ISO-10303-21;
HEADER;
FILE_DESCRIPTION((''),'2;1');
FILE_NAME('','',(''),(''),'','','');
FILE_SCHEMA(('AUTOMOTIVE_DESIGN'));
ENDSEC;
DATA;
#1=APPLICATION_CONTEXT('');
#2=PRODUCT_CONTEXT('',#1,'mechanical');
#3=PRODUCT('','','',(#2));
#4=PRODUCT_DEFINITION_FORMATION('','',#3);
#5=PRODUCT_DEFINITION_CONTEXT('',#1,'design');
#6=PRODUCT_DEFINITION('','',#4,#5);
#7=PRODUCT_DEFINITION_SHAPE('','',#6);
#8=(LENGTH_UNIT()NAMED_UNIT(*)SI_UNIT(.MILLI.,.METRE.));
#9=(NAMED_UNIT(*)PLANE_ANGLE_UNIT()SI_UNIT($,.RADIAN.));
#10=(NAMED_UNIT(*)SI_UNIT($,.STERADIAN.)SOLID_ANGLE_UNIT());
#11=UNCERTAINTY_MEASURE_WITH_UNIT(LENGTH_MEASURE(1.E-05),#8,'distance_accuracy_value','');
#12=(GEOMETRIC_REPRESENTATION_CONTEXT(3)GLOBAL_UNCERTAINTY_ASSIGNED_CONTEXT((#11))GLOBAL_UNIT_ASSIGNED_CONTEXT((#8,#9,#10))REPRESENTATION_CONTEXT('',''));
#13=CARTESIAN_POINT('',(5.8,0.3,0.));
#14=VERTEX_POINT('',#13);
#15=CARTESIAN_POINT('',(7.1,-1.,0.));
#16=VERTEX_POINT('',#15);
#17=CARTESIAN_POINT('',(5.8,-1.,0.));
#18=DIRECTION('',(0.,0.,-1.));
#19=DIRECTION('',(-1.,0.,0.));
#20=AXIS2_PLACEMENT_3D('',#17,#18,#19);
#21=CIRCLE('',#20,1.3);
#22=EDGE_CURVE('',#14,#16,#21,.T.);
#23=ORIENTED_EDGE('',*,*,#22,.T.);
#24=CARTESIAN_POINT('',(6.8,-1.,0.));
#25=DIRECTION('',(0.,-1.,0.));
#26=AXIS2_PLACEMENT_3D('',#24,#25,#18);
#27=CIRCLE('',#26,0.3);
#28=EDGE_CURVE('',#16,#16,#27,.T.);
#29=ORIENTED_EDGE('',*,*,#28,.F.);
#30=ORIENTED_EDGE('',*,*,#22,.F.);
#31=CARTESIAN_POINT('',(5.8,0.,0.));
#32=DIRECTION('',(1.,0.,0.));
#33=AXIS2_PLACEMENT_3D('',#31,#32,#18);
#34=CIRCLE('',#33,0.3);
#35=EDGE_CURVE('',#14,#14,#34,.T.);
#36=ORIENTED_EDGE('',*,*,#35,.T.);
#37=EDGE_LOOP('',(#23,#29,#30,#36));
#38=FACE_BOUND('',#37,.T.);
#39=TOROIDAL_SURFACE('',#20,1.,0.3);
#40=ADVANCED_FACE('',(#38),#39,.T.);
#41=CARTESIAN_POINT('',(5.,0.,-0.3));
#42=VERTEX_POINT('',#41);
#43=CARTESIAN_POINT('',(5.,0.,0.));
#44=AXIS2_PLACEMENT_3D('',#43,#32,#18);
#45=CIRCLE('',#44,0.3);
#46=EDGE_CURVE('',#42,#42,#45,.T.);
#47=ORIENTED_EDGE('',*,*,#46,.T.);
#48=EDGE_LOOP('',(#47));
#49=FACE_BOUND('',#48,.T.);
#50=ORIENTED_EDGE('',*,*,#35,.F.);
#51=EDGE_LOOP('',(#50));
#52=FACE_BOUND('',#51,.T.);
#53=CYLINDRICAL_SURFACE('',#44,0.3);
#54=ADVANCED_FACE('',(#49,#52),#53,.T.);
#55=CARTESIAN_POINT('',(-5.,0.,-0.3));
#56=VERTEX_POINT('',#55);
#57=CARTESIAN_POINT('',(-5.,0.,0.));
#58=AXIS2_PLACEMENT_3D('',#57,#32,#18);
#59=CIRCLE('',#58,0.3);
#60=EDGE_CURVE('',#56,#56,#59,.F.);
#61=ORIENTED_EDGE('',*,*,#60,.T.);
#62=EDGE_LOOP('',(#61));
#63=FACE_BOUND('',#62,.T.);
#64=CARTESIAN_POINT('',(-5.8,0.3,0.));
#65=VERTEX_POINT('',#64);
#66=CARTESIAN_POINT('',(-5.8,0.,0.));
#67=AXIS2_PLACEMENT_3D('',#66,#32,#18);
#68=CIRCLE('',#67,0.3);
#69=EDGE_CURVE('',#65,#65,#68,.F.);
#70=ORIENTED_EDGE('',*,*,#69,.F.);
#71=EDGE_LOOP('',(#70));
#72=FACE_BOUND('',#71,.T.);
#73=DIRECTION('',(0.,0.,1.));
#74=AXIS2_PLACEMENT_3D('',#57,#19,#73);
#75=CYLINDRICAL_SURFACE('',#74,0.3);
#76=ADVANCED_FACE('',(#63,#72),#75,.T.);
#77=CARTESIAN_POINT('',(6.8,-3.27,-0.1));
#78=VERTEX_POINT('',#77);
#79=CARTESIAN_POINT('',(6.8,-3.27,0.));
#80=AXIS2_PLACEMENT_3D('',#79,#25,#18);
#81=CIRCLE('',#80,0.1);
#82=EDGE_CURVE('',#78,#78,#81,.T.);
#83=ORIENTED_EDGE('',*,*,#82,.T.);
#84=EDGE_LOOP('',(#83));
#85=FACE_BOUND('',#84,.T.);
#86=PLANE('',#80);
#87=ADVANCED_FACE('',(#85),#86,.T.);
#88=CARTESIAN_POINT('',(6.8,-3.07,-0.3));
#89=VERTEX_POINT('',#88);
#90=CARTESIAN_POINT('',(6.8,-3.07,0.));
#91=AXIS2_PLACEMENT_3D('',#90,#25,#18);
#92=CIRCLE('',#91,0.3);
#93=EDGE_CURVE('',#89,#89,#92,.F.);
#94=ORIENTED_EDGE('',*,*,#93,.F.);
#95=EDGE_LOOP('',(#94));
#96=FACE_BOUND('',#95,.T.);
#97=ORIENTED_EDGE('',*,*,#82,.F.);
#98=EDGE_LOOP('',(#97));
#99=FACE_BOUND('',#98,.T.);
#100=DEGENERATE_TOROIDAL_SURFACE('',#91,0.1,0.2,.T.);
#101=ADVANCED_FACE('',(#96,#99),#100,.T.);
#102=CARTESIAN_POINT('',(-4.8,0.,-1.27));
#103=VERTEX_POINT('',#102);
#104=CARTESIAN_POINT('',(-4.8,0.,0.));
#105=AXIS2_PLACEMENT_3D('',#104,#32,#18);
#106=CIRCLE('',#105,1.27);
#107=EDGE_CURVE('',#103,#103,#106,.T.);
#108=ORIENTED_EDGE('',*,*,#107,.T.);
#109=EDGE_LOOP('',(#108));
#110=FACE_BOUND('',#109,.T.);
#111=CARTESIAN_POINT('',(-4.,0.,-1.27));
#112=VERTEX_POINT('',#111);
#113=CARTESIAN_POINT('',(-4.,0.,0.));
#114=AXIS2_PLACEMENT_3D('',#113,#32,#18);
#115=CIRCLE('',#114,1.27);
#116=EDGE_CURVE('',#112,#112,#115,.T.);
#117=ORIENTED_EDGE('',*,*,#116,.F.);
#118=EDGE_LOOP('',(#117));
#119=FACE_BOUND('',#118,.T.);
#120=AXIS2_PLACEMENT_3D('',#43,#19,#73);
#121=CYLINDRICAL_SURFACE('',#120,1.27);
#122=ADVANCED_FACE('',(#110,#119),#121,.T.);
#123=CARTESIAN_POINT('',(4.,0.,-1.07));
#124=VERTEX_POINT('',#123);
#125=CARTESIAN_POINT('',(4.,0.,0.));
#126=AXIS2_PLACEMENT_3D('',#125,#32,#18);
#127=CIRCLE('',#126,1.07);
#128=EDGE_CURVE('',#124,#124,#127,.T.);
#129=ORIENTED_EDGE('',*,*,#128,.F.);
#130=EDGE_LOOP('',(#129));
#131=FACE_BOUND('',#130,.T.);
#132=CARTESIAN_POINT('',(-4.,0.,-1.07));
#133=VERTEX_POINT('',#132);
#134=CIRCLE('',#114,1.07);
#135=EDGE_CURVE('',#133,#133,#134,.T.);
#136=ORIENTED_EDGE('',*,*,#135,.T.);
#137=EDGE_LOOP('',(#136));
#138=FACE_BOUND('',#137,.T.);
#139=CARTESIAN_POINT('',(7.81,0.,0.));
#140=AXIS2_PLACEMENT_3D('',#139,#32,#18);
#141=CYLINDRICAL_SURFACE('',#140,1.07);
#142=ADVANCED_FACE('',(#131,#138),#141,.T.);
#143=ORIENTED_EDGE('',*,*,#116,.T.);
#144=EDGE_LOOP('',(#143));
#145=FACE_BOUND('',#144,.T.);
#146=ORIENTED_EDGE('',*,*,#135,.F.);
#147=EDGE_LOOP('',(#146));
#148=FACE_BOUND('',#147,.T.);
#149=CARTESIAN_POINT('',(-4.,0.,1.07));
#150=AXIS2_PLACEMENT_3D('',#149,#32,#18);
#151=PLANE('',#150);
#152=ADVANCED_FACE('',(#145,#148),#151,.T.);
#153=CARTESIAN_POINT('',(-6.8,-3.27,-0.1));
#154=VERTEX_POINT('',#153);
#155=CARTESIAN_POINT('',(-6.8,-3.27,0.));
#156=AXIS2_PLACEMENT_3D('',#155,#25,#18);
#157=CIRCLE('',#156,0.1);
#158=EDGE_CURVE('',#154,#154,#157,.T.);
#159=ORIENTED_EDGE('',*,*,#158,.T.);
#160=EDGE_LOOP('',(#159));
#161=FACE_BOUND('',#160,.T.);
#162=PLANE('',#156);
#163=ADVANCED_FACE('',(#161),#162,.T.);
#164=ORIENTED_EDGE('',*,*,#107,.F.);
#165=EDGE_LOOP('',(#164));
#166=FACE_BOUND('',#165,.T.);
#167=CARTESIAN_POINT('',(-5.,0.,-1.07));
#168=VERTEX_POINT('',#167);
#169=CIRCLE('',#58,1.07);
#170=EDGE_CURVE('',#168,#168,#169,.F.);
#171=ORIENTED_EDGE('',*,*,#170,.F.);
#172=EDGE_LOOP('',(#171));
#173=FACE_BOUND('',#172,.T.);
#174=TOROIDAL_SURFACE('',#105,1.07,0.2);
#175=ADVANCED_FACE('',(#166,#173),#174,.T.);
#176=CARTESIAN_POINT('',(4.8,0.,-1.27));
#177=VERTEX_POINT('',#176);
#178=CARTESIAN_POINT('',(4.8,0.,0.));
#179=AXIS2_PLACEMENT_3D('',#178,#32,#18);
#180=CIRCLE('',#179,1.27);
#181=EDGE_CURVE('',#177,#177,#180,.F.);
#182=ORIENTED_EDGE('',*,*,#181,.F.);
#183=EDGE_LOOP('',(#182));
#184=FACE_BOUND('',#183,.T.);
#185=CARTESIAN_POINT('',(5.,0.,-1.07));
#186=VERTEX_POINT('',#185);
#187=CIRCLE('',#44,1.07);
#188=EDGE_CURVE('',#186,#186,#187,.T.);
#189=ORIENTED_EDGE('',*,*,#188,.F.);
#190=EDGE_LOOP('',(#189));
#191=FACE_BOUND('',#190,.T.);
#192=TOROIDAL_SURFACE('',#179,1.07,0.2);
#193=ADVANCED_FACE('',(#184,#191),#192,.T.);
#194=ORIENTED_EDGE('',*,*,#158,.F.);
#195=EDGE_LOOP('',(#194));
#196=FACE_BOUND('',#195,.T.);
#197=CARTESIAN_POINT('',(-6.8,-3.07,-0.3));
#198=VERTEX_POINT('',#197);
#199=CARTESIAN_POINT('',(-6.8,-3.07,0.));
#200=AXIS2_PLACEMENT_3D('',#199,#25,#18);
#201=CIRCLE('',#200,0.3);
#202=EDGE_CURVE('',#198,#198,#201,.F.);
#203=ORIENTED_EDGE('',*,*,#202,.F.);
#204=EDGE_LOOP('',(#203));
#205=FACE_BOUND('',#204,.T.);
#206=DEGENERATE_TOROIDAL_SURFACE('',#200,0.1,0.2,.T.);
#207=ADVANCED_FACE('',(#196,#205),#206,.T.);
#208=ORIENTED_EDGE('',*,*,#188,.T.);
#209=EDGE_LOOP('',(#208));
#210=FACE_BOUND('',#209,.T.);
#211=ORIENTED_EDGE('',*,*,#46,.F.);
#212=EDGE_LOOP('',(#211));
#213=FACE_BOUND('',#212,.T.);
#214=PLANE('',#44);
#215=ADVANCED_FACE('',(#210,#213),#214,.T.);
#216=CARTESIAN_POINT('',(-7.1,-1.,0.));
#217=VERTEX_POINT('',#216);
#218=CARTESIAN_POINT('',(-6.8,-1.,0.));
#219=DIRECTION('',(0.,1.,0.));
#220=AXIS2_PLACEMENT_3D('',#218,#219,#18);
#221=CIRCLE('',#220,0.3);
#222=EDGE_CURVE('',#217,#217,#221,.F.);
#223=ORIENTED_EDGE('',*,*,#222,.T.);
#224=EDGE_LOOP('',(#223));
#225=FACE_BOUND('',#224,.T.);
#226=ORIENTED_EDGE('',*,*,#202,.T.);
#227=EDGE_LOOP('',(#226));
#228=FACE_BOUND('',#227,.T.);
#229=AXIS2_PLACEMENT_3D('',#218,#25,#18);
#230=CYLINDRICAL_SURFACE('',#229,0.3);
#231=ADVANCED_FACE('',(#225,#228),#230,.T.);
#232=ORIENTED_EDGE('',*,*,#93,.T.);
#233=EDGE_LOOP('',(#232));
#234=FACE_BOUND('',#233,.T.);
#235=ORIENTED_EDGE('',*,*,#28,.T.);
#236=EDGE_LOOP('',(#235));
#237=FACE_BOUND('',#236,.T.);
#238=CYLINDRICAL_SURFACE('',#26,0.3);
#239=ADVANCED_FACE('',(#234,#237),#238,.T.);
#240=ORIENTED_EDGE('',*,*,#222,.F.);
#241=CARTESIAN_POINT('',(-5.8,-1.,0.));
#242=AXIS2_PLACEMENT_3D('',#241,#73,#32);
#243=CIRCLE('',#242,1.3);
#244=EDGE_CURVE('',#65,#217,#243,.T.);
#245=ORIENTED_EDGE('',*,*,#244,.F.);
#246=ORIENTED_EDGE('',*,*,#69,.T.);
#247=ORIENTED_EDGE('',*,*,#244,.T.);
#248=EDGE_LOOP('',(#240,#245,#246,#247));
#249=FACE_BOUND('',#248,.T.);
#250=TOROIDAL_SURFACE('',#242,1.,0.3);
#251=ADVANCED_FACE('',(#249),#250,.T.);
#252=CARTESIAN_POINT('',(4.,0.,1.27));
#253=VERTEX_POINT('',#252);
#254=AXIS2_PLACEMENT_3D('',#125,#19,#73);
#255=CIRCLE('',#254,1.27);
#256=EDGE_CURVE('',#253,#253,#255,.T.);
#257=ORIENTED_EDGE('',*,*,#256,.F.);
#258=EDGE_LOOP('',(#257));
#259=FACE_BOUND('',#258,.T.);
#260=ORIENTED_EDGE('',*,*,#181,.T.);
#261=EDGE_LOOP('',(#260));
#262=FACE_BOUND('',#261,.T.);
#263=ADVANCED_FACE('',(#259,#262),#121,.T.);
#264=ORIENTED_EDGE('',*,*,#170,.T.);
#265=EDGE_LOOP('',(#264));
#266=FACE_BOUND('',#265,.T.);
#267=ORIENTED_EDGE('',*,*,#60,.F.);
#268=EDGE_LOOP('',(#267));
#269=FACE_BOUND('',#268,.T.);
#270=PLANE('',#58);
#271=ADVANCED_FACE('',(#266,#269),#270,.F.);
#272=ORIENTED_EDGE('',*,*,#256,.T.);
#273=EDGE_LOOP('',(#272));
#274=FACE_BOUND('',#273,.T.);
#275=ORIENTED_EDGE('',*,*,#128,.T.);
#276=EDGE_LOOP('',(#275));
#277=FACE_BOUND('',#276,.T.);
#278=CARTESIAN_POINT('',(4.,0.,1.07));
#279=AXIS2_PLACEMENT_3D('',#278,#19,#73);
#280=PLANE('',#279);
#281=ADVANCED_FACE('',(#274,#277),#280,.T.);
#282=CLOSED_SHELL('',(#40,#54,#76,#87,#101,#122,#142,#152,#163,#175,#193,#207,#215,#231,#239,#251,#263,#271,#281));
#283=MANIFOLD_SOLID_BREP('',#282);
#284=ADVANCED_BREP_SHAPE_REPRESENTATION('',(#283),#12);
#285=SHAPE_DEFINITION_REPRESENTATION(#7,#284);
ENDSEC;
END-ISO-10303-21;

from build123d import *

# Parameters (mm, degrees)
SKETCH_1_R             = 1.27
EXTRUDE_1_DEPTH        = 5
FILLET_1_R             = 0.2
SKETCH_2_R             = 0.3
FILLET_2_R             = 0.2
FILLET_2_OF_MIRROR_1_R = 0.2
SKETCH_6_W             = 8
SKETCH_6_H             = 0.981075476


with BuildPart() as part:
    # 草图1 → 凸台-拉伸1 (new, symmetric)
    with BuildSketch(Plane(origin=(0, 0, 0), x_dir=(0, 0, -1), z_dir=(1, 0, 0))):
        Circle(SKETCH_1_R)
    extrude(amount=EXTRUDE_1_DEPTH, both=True)

    # 圆角1
    fillet_1_edges = [part.edges().sort_by_distance(p)[0] for p in [
        (-5, 0, 1.27),
        (5, 0, 1.27),
    ]]
    fillet(fillet_1_edges, radius=FILLET_1_R)

    # 扫描1: sweep along a path in 草图3
    with BuildLine(Plane.XY) as sweep_1_path:
        Line((5, 0), (5.8, 0))
        ThreePointArc((5.8, 0), (6.507106781, -0.292893219), (6.8, -1))
        Line((6.8, -1), (6.8, -3.27))
    # 草图2 → 扫描1 (sweep)
    with BuildSketch(Plane(origin=(5, 0, 0), x_dir=(0, 0, -1), z_dir=(1, 0, 0))):
        Circle(SKETCH_2_R)
    sweep_1 = sweep(path=sweep_1_path.line)

    # 圆角2
    fillet_2_edges = [part.edges().sort_by_distance(p)[0] for p in [
        (6.8, -3.27, 0.3),
    ]]
    fillet(fillet_2_edges, radius=FILLET_2_R)

    # 镜向1: 扫描1 across plane
    add(sweep_1.mirror(Plane(origin=(0, 0, 0), x_dir=(0, 0, 1), z_dir=(1, 0, 0))))

    # 圆角2 of 镜向1
    fillet_2_of_mirror_1_edges = [part.edges().sort_by_distance(p)[0] for p in [
        (-6.8, -3.27, 0.3),
    ]]
    fillet(fillet_2_of_mirror_1_edges, radius=FILLET_2_OF_MIRROR_1_R)

    # 草图6 → 切除-旋转2 (revolve, cut)
    with BuildSketch(Plane(origin=(0, 0, 0), x_dir=(1, 0, 0), z_dir=(0, 1, 0)), mode=Mode.PRIVATE) as cut_revolve_2_sk:
        with Locations((0, -1.560537738)):
            Rectangle(SKETCH_6_W, SKETCH_6_H)
    revolve(cut_revolve_2_sk.sketch.rotate(Axis((7.81, 0, 0), (-1, 0, 0)), 180), axis=Axis((7.81, 0, 0), (-1, 0, 0)), mode=Mode.SUBTRACT)


solid = part.part
